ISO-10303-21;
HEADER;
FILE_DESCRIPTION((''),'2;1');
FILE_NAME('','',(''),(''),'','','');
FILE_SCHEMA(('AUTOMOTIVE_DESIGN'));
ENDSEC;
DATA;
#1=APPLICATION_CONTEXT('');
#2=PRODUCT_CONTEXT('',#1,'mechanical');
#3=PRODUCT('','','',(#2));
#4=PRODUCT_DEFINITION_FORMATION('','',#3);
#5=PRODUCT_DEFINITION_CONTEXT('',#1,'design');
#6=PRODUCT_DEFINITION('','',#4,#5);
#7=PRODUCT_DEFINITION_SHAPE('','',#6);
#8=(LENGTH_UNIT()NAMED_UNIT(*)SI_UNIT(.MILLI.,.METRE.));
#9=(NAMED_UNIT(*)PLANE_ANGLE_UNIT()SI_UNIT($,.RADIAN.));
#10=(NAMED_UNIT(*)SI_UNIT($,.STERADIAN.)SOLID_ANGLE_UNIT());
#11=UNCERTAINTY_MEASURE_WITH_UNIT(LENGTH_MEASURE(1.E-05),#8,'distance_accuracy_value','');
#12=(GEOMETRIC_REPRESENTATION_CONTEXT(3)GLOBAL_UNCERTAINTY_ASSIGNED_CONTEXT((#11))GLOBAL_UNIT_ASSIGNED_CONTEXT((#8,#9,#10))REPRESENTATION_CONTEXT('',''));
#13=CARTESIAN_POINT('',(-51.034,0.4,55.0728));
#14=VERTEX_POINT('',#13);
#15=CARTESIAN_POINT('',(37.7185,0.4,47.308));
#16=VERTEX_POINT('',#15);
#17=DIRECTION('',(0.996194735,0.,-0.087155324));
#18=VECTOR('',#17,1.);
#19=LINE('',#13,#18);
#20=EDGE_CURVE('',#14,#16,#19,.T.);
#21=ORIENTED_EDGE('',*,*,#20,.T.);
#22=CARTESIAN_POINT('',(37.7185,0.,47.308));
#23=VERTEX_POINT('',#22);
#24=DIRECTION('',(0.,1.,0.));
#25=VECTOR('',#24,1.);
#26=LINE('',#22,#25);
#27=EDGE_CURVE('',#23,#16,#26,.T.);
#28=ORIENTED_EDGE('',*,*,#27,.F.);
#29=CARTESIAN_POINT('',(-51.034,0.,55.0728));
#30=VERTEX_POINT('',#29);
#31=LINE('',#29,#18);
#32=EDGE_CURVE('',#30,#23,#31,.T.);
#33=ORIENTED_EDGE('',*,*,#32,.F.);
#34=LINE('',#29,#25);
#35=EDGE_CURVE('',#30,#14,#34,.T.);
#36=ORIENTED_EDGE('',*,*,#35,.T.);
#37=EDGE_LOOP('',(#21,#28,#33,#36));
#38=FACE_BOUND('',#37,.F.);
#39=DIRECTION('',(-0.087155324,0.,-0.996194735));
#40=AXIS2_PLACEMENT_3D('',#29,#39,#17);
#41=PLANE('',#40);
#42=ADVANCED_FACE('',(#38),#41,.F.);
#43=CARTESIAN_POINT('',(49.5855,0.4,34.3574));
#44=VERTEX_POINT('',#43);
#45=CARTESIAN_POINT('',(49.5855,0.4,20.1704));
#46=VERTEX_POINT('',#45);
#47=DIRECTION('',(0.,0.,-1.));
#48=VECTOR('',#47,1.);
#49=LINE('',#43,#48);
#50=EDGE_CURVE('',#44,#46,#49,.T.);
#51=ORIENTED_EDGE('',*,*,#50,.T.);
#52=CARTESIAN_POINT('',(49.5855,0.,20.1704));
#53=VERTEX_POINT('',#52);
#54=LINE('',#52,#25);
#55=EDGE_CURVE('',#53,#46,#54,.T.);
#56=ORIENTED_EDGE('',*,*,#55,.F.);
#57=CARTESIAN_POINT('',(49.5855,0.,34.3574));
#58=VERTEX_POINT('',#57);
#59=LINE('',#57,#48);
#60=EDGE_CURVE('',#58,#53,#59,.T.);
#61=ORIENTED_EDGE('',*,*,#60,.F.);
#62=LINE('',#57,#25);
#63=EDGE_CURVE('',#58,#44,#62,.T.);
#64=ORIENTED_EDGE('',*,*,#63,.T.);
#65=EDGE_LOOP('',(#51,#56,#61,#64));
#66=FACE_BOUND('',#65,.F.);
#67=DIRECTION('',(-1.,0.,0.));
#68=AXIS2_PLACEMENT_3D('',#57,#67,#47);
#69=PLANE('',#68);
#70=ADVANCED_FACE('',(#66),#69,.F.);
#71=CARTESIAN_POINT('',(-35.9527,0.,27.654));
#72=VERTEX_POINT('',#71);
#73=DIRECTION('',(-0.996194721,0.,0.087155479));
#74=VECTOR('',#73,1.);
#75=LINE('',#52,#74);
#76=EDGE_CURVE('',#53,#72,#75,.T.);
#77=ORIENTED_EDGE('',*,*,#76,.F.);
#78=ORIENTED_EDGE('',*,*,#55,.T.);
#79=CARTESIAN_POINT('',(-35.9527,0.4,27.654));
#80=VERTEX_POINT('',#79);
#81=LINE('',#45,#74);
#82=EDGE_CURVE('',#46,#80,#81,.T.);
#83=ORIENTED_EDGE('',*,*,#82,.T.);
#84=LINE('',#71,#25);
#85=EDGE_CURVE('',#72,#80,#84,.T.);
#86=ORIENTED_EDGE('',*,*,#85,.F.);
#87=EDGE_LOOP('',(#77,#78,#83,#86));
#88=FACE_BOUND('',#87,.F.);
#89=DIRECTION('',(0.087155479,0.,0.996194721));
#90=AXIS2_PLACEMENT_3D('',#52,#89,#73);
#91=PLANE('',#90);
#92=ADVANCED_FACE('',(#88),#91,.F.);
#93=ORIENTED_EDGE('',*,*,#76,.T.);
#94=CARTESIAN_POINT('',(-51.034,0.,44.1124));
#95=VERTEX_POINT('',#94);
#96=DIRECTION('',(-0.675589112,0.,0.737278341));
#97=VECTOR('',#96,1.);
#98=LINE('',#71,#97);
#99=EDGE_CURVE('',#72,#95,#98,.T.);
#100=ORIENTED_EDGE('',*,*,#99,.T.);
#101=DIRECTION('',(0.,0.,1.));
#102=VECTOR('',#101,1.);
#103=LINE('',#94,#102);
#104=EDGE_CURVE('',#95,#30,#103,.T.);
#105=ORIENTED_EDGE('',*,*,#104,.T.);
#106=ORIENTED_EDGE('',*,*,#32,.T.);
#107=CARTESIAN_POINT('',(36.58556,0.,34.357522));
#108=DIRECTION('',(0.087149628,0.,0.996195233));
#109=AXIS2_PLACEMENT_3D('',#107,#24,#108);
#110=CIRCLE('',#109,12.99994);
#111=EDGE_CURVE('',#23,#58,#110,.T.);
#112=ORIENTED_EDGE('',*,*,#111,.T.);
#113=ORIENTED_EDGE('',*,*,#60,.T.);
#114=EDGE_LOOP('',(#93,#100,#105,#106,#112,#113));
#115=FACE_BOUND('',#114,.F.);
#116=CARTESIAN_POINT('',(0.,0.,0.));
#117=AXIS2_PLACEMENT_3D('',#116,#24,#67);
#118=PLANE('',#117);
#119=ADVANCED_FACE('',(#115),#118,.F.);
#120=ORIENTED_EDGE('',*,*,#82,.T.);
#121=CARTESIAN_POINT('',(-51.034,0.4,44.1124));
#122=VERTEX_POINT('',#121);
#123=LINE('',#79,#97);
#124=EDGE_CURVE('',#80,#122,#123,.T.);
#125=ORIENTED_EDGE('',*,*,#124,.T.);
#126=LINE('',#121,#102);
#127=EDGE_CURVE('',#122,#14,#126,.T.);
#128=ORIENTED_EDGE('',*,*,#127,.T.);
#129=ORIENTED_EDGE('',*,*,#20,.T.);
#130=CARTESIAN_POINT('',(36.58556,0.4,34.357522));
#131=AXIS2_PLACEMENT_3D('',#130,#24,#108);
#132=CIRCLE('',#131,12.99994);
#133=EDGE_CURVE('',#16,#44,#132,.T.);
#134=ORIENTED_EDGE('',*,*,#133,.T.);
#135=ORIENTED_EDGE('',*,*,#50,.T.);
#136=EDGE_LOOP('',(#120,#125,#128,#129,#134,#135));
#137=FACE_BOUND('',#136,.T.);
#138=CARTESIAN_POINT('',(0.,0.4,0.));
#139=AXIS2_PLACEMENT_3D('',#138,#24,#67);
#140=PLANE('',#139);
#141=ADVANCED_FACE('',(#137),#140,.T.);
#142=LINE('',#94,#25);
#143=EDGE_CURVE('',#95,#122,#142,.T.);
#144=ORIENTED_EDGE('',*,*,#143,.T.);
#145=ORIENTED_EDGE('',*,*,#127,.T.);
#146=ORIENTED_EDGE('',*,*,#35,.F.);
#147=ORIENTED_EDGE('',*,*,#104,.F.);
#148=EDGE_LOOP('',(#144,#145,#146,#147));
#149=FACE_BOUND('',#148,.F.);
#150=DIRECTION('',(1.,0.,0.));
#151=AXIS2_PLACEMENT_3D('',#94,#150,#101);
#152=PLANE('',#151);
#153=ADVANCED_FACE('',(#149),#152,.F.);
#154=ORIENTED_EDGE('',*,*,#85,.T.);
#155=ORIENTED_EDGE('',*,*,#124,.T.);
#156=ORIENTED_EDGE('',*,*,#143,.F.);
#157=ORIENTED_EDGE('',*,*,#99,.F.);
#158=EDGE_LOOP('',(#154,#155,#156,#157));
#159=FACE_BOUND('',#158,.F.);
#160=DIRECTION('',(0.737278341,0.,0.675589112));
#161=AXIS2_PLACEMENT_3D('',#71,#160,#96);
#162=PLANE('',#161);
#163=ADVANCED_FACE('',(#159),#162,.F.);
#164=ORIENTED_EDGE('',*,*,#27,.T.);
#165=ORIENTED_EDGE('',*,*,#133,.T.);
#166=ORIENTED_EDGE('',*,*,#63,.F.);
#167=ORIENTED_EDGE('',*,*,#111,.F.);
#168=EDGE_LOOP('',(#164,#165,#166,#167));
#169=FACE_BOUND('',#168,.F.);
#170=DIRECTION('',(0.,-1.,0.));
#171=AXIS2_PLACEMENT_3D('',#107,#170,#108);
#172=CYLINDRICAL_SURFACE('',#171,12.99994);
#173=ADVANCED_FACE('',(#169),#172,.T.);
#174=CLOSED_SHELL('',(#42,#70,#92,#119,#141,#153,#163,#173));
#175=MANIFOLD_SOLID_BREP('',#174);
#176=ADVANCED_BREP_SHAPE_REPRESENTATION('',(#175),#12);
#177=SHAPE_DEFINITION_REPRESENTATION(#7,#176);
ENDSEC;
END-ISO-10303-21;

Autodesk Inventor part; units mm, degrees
ref_plane "YZ Plane" through (0, 0, 0) normal (1, 0, 0) x (0, 1, 0)
ref_plane "XZ Plane" through (0, 0, 0) normal (0, 1, 0) x (-1, 0, 0)
ref_plane "XY Plane" through (0, 0, 0) normal (0, 0, 1) x (1, 0, 0)
sketch "Sketch1" plane through (0, 0, 0) normal (0, 1, 0) x (-1, 0, 0)
  line L0 (49.034, 47.4336) -> (49.034, 46.8346)
  arc A0 (47.7204, 43.4566) -> (49.034, 46.8346) centre (44.034, 46.8346) ccw
  line L1 (47.7204, 43.4566) -> (36.3172, 31.0122)
  arc A1 (33.0666, 29.4092) -> (36.3172, 31.0122) centre (32.6308, 34.3902) ccw
  line L2 (33.0666, 29.4092) -> (-42.1497, 22.8286)
  arc A2 (-47.5855, 27.8096) -> (-42.1497, 22.8286) centre (-42.5855, 27.8096) ccw
  line L3 (-47.5855, 27.8096) -> (-47.5855, 34.3574)
  arc A3 (-37.5442, 45.3156) -> (-47.5855, 34.3574) centre (-36.5855, 34.3574) ccw
  line L4 (-37.5442, 45.3156) -> (43.5982, 52.4146)
  arc A4 (49.034, 47.4336) -> (43.5982, 52.4146) centre (44.034, 47.4336) ccw
  line L5 (35.9527, 27.654) -> (51.034, 44.1124)
  line L6 (51.034, 44.1124) -> (51.034, 55.0728)
  line L7 (51.034, 55.0728) -> (-37.7185, 47.308)
  arc A5 (-37.7185, 47.308) -> (-49.5855, 34.3574) centre (-36.5855, 34.3574) ccw
  line L8 (-49.5855, 34.3574) -> (-49.5855, 20.1704)
  line L9 (-49.5855, 20.1704) -> (35.9527, 27.654)
  line L10 (35.8578, 27.8465) -> (50.834, 44.1902)
  line L11 (50.834, 44.1902) -> (50.834, 54.8546)
  line L12 (50.834, 54.8546) -> (-37.7011, 47.1087)
  arc A6 (-37.7011, 47.1087) -> (-49.3855, 34.3574) centre (-36.5855, 34.3574) ccw
  line L13 (-49.3855, 34.3574) -> (-49.3855, 20.3887)
  line L14 (-49.3855, 20.3887) -> (35.8578, 27.8465)
  dimension "d0" = 0.2
extrude "Extrusion1" add sketch "Sketch1" along normal blind 0.4 contours L0 A0 L1 A1 L2 A2 L3 A3 L4 A4 | L9 L8 A5 L7 L6 L5 | L14 L13 A6 L12 L11 L10
properties part number "f"
